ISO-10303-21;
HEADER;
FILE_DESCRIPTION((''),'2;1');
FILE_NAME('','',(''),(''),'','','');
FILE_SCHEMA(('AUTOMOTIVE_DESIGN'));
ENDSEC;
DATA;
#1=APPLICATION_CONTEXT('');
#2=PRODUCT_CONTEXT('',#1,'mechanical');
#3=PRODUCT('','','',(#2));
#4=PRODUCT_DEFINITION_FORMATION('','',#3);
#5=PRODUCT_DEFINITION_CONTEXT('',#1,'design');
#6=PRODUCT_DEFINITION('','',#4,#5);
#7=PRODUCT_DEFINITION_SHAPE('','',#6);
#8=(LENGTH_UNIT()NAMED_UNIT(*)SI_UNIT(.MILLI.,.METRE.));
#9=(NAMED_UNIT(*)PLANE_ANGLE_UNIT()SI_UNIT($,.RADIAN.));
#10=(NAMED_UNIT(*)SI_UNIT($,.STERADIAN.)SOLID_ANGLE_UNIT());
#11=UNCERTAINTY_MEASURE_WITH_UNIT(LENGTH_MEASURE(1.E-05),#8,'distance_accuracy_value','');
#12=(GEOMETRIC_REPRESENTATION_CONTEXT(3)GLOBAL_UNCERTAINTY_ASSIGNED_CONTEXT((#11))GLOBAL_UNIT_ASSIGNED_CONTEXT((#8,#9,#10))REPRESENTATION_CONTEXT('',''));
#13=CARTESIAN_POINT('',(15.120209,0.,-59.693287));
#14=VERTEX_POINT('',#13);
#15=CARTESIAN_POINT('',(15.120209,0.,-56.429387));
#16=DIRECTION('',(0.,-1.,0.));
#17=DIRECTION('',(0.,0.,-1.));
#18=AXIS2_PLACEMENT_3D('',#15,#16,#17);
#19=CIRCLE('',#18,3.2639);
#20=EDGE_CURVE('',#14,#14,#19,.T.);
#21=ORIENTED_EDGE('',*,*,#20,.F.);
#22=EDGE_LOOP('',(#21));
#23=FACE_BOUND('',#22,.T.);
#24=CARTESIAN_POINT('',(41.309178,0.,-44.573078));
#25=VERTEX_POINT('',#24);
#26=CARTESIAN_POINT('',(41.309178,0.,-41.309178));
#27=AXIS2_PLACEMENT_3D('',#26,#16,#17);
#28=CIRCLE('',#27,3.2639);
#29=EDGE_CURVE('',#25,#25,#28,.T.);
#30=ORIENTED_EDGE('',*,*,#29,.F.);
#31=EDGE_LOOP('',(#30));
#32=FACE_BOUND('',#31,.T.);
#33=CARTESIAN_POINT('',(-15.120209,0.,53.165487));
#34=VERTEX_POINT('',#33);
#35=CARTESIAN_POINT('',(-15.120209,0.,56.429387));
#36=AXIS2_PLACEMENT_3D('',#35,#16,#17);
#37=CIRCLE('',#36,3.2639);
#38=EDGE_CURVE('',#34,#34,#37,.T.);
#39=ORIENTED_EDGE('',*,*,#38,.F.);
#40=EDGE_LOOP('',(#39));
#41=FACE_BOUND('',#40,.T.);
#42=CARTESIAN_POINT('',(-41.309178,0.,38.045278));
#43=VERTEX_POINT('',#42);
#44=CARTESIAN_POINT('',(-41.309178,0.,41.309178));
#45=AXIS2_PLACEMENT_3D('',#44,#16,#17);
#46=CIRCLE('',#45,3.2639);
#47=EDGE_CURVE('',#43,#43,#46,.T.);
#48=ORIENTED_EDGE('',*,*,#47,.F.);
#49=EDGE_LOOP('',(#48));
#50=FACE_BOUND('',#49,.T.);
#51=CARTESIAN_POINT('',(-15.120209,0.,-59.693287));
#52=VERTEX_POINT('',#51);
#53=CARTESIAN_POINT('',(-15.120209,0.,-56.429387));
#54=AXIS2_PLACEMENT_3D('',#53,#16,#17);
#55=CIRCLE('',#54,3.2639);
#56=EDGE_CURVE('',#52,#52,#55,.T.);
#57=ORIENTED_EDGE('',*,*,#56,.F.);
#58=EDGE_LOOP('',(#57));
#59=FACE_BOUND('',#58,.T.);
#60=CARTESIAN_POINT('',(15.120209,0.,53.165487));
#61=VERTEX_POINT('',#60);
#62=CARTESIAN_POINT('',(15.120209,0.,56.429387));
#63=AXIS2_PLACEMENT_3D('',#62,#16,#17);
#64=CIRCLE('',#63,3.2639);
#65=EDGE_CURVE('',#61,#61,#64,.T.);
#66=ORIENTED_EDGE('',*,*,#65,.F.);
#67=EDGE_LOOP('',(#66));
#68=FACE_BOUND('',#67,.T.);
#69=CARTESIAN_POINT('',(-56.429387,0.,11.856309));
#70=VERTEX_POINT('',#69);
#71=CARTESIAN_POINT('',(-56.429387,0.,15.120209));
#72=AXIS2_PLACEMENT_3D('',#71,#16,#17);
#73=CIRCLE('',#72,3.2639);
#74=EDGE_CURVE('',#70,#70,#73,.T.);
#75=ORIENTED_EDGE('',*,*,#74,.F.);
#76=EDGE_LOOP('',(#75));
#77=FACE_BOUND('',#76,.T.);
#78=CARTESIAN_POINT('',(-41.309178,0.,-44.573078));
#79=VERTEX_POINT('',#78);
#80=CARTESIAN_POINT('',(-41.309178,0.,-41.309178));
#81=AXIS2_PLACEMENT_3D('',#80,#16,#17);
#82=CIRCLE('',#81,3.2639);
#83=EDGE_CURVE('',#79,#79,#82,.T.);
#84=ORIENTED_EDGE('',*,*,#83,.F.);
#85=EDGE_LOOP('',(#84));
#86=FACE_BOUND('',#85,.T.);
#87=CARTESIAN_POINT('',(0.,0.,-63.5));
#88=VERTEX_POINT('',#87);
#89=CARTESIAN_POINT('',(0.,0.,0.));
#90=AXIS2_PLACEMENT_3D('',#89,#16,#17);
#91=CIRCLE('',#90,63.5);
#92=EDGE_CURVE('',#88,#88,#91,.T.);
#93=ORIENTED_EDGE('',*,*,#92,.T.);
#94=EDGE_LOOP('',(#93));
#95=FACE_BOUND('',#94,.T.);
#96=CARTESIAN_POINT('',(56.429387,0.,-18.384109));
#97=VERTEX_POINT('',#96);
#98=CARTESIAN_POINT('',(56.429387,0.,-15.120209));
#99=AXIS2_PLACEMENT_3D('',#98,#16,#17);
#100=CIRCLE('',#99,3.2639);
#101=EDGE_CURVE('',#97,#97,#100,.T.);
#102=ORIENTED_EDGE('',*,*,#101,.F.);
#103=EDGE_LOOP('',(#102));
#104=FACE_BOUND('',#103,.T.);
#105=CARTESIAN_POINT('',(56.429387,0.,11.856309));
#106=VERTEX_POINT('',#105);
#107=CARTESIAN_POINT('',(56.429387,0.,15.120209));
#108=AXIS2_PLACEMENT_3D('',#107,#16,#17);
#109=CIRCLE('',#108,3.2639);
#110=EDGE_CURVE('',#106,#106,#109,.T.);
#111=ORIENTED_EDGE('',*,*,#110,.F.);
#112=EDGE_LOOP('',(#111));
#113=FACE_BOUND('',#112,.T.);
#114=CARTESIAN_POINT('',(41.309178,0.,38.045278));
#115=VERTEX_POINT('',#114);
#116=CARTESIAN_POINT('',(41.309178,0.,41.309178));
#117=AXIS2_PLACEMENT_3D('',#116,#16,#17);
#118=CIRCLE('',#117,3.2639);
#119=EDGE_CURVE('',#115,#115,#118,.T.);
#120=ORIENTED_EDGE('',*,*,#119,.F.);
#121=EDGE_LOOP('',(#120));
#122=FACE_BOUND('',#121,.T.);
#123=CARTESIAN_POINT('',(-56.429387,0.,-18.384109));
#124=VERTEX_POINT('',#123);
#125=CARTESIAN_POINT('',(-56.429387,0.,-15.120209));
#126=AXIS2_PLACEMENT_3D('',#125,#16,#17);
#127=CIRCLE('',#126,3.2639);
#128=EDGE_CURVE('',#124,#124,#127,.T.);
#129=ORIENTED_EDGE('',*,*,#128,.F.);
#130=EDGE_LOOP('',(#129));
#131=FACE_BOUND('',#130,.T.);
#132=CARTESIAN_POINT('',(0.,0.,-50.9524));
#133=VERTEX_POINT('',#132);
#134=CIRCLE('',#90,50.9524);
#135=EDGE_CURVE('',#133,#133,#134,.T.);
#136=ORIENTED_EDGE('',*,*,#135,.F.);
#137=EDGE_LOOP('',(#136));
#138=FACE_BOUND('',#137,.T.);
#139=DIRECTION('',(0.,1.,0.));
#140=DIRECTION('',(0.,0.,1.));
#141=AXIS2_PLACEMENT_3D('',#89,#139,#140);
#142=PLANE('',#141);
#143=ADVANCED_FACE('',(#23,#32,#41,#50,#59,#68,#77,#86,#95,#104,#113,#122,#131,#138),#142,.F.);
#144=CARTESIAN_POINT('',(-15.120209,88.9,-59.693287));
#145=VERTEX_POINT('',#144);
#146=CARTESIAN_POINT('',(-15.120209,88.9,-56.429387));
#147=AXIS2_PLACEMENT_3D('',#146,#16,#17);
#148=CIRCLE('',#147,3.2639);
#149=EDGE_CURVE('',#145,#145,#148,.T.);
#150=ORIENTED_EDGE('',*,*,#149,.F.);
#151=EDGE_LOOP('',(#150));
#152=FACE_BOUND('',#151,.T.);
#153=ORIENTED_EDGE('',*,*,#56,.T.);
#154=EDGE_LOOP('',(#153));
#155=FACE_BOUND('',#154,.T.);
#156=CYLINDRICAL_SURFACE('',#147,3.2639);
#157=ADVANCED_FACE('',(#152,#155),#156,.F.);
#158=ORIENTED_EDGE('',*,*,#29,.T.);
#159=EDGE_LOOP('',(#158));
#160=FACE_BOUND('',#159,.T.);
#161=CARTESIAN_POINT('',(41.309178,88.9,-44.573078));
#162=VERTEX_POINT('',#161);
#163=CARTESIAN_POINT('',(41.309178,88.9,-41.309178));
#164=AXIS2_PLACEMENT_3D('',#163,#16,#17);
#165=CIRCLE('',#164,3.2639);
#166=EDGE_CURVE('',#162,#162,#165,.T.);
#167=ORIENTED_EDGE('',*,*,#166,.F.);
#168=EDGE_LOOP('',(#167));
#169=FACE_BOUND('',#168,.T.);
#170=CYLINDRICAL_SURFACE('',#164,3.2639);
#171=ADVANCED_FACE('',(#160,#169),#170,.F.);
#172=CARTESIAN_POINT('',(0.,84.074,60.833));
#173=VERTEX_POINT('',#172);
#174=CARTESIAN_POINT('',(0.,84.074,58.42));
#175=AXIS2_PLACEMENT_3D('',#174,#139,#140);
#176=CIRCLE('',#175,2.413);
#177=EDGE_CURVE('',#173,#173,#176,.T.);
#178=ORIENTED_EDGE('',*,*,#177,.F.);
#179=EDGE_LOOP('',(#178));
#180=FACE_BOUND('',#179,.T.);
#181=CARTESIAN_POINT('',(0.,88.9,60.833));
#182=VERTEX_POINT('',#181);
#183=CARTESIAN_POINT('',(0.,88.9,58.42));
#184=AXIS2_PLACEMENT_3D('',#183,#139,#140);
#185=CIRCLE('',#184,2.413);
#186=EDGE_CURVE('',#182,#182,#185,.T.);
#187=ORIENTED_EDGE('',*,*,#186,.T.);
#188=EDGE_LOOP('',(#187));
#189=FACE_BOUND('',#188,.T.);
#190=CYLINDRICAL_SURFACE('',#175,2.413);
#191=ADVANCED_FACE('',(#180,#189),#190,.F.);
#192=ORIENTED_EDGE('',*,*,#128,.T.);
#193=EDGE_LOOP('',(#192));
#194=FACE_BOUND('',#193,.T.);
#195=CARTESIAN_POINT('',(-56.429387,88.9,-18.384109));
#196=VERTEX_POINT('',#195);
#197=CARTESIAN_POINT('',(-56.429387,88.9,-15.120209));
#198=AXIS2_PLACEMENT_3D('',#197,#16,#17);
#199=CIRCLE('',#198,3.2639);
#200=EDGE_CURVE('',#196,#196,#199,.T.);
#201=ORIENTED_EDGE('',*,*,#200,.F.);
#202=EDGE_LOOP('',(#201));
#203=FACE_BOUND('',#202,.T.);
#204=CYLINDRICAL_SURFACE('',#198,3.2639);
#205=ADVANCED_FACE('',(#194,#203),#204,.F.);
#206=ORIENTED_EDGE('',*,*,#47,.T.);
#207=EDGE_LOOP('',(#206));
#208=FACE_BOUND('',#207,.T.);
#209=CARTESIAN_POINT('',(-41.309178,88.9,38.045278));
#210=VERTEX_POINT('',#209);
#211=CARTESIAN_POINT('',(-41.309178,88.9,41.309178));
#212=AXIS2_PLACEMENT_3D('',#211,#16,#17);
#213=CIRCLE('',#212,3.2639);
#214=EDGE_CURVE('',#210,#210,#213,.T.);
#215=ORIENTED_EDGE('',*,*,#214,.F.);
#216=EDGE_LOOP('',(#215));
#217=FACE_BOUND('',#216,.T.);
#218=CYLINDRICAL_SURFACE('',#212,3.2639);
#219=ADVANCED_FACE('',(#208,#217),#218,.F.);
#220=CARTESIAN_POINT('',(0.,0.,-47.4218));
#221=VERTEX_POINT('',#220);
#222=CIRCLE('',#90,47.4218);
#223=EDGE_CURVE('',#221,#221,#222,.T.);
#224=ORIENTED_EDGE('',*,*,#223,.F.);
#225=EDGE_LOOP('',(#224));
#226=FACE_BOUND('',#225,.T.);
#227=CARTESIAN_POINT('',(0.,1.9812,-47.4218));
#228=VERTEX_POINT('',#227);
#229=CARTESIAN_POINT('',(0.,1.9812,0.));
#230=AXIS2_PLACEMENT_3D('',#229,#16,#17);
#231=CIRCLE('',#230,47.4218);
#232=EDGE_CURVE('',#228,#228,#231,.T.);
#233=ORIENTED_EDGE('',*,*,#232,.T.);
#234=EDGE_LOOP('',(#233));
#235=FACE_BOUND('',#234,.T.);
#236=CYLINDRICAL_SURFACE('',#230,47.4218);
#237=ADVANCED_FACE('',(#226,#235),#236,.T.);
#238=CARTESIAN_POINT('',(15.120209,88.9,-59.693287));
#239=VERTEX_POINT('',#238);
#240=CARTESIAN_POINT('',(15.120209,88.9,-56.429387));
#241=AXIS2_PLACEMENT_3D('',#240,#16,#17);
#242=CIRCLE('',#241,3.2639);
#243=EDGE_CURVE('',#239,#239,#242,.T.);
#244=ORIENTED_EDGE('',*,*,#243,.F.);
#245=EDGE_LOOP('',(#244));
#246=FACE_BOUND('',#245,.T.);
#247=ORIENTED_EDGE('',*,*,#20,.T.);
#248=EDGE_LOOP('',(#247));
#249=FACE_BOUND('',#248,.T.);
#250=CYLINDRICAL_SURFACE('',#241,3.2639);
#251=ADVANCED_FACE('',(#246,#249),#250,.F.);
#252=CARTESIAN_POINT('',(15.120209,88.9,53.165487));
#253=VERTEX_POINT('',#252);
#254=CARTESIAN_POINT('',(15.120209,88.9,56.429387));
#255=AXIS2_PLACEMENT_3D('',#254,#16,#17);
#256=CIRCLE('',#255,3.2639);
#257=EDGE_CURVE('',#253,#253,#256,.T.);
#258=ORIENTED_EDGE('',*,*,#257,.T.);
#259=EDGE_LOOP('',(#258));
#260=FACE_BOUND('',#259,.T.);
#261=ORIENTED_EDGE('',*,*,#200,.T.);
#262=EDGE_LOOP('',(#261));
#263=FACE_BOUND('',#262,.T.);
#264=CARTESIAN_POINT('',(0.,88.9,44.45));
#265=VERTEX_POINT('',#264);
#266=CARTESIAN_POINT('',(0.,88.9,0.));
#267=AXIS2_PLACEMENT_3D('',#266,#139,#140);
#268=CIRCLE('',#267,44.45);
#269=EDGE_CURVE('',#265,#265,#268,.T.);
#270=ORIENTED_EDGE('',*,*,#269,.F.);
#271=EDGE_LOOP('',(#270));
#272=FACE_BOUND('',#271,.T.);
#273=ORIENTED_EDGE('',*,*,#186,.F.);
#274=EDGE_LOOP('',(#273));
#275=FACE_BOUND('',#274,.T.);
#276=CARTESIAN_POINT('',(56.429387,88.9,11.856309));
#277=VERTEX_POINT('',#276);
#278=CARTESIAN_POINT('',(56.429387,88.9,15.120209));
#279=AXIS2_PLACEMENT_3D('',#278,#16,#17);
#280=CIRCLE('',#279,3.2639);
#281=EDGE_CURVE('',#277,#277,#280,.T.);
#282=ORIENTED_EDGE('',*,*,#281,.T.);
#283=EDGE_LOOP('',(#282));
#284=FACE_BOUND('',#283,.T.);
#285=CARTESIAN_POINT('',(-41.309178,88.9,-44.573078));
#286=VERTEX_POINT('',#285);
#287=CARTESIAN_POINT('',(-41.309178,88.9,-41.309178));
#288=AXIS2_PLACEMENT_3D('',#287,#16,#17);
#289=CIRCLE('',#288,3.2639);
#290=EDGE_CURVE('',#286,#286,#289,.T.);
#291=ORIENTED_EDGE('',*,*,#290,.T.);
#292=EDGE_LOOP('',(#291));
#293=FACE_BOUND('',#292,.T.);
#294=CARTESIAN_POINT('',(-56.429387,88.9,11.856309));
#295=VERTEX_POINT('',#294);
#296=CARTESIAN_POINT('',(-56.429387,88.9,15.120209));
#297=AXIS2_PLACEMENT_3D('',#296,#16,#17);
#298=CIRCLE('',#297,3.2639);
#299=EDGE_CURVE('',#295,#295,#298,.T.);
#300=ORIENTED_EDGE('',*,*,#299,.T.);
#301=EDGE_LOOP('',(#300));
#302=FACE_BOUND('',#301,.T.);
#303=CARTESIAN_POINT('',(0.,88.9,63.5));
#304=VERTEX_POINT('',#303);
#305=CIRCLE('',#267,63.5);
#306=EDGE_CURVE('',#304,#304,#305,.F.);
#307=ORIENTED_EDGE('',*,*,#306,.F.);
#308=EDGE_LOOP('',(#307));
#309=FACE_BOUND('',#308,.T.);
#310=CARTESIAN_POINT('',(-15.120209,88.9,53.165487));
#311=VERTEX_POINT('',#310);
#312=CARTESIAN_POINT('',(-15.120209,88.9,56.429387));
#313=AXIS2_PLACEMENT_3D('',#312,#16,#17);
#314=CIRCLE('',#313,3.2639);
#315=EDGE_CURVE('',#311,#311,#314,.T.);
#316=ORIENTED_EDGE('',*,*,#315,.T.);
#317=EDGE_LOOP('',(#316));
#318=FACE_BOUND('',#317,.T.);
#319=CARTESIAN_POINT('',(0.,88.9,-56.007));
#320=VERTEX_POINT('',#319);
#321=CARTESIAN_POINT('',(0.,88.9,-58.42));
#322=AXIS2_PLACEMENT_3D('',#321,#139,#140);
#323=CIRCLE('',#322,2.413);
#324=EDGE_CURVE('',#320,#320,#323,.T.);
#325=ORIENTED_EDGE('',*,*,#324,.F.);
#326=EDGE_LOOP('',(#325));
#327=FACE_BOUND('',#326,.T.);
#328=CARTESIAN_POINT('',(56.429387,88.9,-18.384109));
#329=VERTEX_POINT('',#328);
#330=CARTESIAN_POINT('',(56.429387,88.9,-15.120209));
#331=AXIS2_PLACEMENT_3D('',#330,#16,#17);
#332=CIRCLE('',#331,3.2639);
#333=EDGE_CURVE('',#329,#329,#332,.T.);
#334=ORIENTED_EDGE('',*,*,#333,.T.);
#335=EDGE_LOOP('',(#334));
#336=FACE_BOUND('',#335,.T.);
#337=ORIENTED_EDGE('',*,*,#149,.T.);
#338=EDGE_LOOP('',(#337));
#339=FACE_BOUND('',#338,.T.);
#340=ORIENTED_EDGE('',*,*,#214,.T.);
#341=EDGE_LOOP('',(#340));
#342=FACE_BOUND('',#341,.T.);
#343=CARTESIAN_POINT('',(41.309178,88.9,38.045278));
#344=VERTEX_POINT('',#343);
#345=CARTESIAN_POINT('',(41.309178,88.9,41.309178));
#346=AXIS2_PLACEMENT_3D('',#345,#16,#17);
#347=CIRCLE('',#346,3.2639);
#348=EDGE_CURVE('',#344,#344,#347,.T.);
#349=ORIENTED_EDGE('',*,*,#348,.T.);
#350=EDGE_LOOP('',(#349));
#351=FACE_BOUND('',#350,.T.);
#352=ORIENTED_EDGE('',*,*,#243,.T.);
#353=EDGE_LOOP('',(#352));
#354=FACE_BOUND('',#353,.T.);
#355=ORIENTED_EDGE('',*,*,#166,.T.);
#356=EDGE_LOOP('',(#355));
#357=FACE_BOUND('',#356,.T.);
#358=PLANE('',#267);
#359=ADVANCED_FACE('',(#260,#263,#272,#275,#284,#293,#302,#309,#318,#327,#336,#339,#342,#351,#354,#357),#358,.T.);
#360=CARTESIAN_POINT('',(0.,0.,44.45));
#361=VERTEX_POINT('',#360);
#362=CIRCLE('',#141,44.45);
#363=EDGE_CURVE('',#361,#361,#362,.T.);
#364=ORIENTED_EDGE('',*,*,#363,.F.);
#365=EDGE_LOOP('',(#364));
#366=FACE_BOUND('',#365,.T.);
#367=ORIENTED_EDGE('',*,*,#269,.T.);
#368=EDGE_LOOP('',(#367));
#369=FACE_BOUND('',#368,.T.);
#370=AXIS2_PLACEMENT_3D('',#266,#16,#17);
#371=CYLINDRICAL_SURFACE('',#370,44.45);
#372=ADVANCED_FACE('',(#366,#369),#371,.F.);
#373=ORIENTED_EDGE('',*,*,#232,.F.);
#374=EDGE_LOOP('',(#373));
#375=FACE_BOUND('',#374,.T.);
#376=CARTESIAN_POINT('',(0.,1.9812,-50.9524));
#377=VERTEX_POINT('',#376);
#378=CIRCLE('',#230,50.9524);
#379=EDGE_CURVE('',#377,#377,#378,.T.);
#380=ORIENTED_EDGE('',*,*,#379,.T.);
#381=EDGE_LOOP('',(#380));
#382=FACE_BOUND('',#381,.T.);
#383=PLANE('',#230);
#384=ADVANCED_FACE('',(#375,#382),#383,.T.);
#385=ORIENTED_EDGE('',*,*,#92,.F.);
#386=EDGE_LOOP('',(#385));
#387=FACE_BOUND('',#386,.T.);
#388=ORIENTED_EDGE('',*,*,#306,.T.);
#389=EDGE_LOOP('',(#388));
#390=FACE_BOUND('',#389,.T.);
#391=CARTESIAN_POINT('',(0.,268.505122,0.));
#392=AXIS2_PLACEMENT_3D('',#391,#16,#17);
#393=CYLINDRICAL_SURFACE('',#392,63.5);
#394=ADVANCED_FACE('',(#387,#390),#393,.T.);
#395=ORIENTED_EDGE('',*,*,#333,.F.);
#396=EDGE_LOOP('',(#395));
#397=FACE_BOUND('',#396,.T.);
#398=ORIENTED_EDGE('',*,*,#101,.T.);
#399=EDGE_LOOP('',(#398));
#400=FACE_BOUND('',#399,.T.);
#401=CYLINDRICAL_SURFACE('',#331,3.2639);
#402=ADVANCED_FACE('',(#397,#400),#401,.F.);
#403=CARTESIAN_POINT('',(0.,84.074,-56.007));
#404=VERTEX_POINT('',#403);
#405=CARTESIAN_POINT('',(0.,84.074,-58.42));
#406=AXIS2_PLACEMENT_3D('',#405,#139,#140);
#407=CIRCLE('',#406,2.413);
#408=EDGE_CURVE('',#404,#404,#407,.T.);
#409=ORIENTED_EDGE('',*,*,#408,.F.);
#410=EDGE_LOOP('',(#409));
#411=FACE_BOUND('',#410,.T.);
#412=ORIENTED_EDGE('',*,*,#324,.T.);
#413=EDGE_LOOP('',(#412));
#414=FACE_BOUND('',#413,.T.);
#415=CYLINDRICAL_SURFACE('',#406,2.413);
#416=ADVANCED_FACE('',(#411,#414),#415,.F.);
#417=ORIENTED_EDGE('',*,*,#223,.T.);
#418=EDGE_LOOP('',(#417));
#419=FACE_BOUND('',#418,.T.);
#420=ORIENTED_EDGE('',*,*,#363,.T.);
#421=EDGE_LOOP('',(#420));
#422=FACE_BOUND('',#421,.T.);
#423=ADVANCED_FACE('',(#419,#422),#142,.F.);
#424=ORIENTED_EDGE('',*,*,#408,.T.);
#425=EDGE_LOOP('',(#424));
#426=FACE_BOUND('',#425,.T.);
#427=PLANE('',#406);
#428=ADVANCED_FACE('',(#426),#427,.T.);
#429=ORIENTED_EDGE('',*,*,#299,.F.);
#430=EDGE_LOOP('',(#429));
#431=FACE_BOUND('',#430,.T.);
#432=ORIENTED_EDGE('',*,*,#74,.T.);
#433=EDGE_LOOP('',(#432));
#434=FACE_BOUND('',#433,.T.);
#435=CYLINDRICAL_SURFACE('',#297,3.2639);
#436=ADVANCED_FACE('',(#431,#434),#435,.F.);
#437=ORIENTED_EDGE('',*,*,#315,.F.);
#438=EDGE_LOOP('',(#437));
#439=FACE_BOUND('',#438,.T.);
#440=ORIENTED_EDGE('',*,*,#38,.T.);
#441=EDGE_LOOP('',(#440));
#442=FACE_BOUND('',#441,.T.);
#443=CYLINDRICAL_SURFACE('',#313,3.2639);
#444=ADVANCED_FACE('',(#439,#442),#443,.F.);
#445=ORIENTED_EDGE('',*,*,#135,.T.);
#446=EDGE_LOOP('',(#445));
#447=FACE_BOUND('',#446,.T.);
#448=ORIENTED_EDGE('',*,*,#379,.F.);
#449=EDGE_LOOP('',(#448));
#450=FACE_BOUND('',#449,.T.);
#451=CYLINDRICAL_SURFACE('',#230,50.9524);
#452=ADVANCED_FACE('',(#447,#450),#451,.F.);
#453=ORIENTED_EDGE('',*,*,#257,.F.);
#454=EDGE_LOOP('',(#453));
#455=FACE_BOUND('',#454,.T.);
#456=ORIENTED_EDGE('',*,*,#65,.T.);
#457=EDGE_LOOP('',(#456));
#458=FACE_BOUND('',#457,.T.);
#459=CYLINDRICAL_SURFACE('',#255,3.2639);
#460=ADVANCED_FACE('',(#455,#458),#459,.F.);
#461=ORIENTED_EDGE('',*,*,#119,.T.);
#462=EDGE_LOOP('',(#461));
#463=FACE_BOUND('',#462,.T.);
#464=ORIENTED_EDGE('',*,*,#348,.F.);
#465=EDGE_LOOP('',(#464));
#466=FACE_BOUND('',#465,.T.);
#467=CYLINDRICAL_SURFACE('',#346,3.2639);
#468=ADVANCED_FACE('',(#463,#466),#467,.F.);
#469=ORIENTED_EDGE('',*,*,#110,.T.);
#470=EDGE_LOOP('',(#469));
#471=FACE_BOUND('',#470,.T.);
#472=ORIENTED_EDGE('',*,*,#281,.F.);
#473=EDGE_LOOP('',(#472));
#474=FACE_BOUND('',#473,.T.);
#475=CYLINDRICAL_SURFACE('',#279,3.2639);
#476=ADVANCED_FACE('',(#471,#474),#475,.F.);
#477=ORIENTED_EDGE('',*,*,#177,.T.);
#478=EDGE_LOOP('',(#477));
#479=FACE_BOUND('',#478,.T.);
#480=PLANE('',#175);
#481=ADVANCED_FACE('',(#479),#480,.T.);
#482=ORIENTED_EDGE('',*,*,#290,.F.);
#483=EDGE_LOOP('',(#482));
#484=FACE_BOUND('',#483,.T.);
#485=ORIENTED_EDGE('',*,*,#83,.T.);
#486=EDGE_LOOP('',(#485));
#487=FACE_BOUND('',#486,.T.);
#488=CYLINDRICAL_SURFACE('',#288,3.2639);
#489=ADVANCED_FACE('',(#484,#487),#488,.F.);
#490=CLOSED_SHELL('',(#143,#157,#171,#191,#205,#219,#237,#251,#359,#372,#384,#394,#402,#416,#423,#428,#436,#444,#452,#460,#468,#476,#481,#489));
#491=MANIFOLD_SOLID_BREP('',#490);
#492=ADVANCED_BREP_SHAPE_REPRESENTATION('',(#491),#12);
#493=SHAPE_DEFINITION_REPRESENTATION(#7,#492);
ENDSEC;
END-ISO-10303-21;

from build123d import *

# Parameters (mm, degrees)
SKETCH2_R               = 55.88
SKETCH2_R_2             = 44.45
BASE_CYLINDER_DEPTH     = 88.9
SKETCH3_R               = 63.5
SKETCH3_R_2             = 44.45
AFT_FLANGE_DEPTH        = 88.9
SKETCH6_R               = 50.9524
SKETCH6_R_2             = 47.4218
AFT_O_RING_DEPTH        = 1.9812
SKETCH_FOR_BOLT_HOLES_R = 3.2639
CUT_EXTRUDE1_DEPTH      = 89.9
SKETCH51_R              = 2.413
CUT_EXTRUDE2_DEPTH      = 4.826


with BuildPart() as part:
    # Sketch2 → Base Cylinder (new body)
    with BuildSketch(Plane(origin=(0, 0, 0), x_dir=(1, 0, 0), z_dir=(0, 1, 0))):
        Circle(SKETCH2_R)
        Circle(SKETCH2_R_2, mode=Mode.SUBTRACT)
    extrude(amount=BASE_CYLINDER_DEPTH)

    # Sketch3 → Aft Flange (add)
    with BuildSketch(Plane.XZ):
        Circle(SKETCH3_R)
        Circle(SKETCH3_R_2, mode=Mode.SUBTRACT)
    extrude(amount=-AFT_FLANGE_DEPTH)

    # Sketch6 → Aft O-Ring (cut)
    with BuildSketch(Plane.XZ):
        Circle(SKETCH6_R)
        Circle(SKETCH6_R_2, mode=Mode.SUBTRACT)
    extrude(amount=-AFT_O_RING_DEPTH, mode=Mode.SUBTRACT)

    # Sketch For Bolt Holes → Cut-Extrude1 (cut, through all)
    with BuildSketch(Plane.XZ):
        with Locations((15.120208615, 56.429386772)):
            Circle(SKETCH_FOR_BOLT_HOLES_R)
        with Locations((41.309178157, 41.309178157)):
            Circle(SKETCH_FOR_BOLT_HOLES_R)
        with Locations((56.429386772, 15.120208615)):
            Circle(SKETCH_FOR_BOLT_HOLES_R)
        with Locations((56.429386772, -15.120208615)):
            Circle(SKETCH_FOR_BOLT_HOLES_R)
        with Locations((41.309178157, -41.309178157)):
            Circle(SKETCH_FOR_BOLT_HOLES_R)
        with Locations((15.120208615, -56.429386772)):
            Circle(SKETCH_FOR_BOLT_HOLES_R)
        with Locations((-15.120208615, -56.429386772)):
            Circle(SKETCH_FOR_BOLT_HOLES_R)
        with Locations((-41.309178157, -41.309178157)):
            Circle(SKETCH_FOR_BOLT_HOLES_R)
        with Locations((-56.429386772, -15.120208615)):
            Circle(SKETCH_FOR_BOLT_HOLES_R)
        with Locations((-56.429386772, 15.120208615)):
            Circle(SKETCH_FOR_BOLT_HOLES_R)
        with Locations((-41.309178157, 41.309178157)):
            Circle(SKETCH_FOR_BOLT_HOLES_R)
        with Locations((-15.120208615, 56.429386772)):
            Circle(SKETCH_FOR_BOLT_HOLES_R)
    extrude(amount=-CUT_EXTRUDE1_DEPTH, mode=Mode.SUBTRACT)

    # Sketch51 → Cut-Extrude2 (cut)
    with BuildSketch(Plane(origin=(0, 88.9, 0), x_dir=(1, 0, 0), z_dir=(0, 1, 0))):
        with Locations((0, 58.42)):
            Circle(SKETCH51_R)
        with Locations((0, -58.42)):
            Circle(SKETCH51_R)
    extrude(amount=-CUT_EXTRUDE2_DEPTH, mode=Mode.SUBTRACT)


solid = part.part
